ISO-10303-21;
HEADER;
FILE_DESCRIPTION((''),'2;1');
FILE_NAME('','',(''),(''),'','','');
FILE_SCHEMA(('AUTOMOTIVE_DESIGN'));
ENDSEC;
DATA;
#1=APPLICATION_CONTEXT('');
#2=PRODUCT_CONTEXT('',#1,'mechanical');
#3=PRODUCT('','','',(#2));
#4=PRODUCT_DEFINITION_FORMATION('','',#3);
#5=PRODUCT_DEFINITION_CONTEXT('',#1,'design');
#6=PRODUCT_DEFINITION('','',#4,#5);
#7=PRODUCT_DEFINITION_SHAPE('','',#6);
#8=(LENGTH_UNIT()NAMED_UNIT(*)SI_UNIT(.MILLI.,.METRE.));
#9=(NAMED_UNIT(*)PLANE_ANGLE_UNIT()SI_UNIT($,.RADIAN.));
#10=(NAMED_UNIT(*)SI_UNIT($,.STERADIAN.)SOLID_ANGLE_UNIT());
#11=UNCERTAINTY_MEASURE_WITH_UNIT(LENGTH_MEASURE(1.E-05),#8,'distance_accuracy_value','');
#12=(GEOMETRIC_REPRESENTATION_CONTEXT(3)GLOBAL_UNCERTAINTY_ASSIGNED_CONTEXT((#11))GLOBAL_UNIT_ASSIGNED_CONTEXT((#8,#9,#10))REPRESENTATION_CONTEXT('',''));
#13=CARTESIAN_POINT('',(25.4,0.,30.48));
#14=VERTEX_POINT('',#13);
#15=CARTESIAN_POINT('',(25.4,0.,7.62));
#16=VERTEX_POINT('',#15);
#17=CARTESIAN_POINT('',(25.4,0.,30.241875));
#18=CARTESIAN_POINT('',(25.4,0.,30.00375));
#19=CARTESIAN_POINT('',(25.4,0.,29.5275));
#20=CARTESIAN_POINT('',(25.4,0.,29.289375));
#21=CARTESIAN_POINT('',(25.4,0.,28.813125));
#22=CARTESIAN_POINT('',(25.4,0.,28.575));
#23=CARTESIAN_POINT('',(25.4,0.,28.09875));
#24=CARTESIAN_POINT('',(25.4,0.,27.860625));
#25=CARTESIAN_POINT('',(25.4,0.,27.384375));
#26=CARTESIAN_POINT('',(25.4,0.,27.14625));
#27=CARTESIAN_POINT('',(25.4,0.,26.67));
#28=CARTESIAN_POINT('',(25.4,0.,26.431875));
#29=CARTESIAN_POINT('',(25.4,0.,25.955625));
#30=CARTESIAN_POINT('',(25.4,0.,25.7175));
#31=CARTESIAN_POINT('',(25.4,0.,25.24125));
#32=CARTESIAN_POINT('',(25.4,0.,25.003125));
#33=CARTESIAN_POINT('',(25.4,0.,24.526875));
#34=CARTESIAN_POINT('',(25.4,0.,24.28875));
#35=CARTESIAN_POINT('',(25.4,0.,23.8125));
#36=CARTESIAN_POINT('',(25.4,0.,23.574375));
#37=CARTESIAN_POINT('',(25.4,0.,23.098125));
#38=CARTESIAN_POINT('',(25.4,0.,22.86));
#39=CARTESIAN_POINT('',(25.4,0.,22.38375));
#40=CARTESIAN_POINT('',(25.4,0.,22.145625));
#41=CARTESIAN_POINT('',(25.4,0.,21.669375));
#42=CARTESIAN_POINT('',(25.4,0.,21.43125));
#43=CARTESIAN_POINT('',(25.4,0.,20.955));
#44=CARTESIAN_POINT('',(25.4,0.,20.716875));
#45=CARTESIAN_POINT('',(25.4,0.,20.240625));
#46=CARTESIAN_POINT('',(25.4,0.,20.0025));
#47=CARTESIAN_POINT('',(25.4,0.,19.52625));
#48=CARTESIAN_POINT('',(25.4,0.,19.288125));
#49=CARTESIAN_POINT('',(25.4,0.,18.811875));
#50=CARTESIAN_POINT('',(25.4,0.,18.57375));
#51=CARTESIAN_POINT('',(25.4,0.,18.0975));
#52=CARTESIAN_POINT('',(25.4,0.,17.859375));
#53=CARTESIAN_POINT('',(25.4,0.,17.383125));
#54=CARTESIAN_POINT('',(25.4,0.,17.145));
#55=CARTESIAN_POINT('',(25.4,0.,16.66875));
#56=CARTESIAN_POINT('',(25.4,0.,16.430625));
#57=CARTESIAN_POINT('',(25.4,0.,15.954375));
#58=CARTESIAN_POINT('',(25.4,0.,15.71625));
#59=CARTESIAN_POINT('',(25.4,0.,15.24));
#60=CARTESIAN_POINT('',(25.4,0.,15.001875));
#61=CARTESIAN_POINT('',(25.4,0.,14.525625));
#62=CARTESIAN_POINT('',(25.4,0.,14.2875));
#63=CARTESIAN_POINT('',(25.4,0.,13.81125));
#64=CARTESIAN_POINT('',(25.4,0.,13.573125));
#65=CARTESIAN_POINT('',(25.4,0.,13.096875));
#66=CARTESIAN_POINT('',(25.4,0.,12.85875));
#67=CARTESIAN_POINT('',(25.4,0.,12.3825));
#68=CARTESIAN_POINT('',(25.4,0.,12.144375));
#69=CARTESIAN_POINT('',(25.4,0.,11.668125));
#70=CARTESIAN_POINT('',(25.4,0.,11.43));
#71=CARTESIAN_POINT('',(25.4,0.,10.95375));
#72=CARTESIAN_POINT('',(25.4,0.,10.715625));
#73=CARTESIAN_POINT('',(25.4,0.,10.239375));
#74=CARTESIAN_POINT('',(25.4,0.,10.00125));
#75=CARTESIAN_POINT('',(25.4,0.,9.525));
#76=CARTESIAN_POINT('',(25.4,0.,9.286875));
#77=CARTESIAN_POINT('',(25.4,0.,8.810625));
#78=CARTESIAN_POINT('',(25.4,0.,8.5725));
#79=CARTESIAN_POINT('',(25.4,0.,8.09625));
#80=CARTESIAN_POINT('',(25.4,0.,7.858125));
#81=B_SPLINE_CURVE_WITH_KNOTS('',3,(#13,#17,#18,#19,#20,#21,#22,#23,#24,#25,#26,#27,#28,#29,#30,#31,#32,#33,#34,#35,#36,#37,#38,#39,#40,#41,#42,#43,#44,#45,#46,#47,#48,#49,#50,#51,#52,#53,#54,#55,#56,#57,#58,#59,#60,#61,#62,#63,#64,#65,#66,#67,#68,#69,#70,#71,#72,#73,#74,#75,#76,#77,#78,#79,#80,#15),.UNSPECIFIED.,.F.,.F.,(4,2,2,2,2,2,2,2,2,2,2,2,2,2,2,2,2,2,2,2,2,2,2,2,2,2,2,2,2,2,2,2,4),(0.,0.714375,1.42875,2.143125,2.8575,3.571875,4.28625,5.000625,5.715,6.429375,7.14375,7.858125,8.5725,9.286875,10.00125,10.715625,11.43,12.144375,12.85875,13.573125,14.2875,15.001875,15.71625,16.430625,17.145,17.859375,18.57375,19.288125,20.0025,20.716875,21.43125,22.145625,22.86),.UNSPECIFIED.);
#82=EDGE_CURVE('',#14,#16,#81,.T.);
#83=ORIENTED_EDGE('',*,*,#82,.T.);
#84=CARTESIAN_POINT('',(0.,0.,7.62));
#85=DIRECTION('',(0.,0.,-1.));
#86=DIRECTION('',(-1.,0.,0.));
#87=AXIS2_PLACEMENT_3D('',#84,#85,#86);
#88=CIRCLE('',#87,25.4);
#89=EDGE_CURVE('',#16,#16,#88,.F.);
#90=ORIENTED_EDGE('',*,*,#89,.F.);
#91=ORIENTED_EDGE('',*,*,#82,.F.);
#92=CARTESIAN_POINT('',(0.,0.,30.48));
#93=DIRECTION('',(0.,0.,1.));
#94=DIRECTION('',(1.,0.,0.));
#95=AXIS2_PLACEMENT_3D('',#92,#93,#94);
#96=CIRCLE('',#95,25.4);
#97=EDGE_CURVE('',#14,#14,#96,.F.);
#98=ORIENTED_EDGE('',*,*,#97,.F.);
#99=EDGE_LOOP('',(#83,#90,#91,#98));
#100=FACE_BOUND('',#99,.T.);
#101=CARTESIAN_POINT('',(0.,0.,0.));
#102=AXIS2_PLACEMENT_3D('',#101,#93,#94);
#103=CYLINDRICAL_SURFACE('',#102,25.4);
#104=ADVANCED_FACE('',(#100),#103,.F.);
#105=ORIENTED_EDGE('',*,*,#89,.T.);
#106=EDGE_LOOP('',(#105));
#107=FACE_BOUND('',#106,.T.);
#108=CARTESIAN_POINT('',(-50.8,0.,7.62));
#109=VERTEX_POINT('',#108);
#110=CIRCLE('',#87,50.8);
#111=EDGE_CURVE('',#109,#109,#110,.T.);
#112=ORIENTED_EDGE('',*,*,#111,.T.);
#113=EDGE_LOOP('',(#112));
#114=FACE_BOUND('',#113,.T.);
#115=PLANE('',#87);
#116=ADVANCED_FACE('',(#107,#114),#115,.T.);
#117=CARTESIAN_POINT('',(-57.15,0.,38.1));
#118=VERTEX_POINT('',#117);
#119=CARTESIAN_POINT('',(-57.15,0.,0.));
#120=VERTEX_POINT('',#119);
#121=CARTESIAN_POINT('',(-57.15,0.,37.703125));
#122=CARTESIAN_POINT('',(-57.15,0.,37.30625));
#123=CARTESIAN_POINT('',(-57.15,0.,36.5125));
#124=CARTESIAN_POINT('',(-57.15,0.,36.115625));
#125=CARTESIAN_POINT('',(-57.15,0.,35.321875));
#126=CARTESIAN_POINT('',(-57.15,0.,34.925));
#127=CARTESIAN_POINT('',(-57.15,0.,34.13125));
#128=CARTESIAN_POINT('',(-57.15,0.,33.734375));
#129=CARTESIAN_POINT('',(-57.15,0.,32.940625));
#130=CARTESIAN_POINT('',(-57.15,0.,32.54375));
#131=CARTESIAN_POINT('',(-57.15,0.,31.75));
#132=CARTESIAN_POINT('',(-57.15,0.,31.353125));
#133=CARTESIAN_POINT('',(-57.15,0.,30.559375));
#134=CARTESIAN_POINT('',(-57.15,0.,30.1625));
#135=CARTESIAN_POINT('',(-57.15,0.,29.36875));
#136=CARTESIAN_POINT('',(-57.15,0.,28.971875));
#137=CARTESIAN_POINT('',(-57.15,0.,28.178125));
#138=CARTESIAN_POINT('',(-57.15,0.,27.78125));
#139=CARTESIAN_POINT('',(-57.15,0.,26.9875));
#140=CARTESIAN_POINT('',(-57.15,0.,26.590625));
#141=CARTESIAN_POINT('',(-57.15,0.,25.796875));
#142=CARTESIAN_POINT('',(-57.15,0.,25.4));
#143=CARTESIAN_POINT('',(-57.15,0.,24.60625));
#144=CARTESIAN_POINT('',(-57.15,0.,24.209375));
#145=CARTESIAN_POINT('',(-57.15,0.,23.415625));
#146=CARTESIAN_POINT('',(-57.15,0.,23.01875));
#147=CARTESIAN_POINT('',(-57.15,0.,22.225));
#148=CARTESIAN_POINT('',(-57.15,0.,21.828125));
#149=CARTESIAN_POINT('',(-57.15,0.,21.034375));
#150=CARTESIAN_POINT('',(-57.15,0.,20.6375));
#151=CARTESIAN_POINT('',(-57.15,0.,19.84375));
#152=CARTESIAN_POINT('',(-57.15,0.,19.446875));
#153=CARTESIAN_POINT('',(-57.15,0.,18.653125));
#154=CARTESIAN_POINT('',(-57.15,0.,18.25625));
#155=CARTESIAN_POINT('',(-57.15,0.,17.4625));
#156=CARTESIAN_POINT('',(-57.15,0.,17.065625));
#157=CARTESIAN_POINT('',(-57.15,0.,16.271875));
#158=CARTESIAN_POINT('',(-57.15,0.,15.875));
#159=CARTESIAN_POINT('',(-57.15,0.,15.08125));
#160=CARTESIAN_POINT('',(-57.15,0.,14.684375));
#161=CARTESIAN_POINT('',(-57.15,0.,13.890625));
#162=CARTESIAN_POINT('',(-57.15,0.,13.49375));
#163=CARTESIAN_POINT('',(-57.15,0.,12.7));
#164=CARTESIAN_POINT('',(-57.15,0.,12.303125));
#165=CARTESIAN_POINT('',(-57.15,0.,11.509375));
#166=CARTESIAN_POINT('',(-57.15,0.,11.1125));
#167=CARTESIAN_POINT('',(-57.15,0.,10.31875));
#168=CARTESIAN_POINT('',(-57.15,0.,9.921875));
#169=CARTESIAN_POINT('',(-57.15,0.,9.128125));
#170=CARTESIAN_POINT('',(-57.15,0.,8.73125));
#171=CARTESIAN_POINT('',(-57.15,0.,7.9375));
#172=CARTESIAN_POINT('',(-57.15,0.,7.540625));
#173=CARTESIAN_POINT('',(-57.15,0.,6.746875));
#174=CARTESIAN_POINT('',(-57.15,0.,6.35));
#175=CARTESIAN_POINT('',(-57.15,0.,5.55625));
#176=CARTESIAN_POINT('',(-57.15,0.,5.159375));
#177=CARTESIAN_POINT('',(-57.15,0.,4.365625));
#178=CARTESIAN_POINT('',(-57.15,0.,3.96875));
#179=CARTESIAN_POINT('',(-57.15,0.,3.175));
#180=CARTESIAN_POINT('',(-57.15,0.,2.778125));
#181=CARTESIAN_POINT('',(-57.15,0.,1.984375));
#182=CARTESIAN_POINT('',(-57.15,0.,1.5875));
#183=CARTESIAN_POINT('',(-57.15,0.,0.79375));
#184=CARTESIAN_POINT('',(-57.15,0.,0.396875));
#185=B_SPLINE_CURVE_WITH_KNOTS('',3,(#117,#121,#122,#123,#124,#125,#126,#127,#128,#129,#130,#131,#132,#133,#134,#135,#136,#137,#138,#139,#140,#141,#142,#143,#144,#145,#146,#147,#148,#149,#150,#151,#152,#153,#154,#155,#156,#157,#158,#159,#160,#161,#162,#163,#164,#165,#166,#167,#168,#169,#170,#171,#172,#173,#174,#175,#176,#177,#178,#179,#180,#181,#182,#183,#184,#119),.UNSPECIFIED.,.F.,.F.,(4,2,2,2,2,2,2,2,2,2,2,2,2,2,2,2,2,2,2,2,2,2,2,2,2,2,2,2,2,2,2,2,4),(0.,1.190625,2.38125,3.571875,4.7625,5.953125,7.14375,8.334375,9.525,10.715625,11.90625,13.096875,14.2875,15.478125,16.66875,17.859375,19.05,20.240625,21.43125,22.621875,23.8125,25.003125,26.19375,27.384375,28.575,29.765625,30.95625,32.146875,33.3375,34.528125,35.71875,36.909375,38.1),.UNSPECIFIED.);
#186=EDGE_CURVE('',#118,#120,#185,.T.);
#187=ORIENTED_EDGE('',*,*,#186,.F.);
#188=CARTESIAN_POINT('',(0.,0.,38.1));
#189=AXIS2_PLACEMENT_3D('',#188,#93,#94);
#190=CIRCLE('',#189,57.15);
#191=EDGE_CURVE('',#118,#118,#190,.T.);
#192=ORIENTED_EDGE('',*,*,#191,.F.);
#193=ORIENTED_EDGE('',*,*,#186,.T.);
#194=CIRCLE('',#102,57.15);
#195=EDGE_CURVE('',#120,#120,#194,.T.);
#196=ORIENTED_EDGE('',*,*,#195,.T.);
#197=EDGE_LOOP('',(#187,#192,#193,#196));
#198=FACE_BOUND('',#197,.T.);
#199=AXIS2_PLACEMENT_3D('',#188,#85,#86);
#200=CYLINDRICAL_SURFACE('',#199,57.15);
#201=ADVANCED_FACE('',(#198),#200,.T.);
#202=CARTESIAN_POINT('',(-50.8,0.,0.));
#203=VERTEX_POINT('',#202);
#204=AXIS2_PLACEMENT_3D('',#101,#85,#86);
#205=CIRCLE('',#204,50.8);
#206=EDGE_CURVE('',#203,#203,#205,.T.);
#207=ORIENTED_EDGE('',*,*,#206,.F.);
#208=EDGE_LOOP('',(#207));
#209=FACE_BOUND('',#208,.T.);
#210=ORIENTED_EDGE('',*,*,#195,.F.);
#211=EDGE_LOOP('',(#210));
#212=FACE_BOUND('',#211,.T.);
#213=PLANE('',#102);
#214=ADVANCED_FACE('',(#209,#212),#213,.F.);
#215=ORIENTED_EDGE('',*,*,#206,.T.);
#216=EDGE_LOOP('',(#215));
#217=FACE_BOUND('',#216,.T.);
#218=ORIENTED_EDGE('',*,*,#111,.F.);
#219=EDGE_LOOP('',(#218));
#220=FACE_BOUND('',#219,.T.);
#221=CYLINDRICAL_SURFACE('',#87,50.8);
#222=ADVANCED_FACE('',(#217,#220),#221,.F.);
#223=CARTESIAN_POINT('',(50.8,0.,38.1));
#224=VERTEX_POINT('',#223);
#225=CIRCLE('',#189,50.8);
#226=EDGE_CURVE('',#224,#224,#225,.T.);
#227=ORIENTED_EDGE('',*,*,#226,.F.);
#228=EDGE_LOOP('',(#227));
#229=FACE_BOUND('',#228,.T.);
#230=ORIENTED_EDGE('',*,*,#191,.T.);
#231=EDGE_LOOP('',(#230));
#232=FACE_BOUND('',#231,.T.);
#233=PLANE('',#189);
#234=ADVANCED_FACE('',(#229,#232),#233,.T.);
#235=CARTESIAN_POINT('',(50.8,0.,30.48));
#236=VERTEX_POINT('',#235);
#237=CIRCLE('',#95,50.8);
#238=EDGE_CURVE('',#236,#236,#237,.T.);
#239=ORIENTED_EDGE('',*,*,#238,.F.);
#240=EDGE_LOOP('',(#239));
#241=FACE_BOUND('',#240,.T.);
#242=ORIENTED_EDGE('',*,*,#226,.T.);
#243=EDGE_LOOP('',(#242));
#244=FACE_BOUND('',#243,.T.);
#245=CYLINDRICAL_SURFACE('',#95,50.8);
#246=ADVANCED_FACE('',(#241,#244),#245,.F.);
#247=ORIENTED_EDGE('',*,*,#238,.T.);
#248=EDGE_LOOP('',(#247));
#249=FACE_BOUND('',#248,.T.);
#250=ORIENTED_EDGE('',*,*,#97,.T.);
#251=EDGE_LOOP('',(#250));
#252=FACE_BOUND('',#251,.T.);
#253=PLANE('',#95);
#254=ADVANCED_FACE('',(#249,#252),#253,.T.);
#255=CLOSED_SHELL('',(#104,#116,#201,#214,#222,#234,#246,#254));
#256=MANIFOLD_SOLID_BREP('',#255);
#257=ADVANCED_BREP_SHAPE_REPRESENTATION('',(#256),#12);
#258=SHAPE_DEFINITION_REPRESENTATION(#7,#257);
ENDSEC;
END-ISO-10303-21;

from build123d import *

# Parameters (mm, degrees)
SKETCH1_R           = 57.15
BOSS_EXTRUDE1_DEPTH = 38.1
SKETCH2_R           = 25.4
CUT_EXTRUDE1_DEPTH  = 38.1
SKETCH3_R           = 50.8
CUT_EXTRUDE2_DEPTH  = 7.62
CUT_EXTRUDE3_START  = -7.62
SKETCH5_R           = 50.8
CUT_EXTRUDE3_DEPTH  = 7.62


with BuildPart() as part:
    # Sketch1 → Boss-Extrude1 (new body)
    with BuildSketch(Plane.XY):
        with Locations(Location((0, 0, 0), (0, 0, 180))):
            Circle(SKETCH1_R)
    extrude(amount=BOSS_EXTRUDE1_DEPTH)

    # Sketch2 → Cut-Extrude1 (cut)
    with BuildSketch(Plane.XY.offset(38.1)):
        Circle(SKETCH2_R)
    extrude(amount=-CUT_EXTRUDE1_DEPTH, mode=Mode.SUBTRACT)

    # Sketch3 → Cut-Extrude2 (cut)
    with BuildSketch(Plane.XY.offset(38.1)):
        Circle(SKETCH3_R)
    extrude(amount=-CUT_EXTRUDE2_DEPTH, mode=Mode.SUBTRACT)

    # Sketch5 → Cut-Extrude3 (cut)
    with BuildSketch(Plane(origin=(0, 0, 0), x_dir=(-1, 0, 0), z_dir=(0, 0, -1)).offset(CUT_EXTRUDE3_START)):
        with Locations(Location((0, 0, 0), (0, 0, 180))):
            Circle(SKETCH5_R)
    extrude(amount=CUT_EXTRUDE3_DEPTH, mode=Mode.SUBTRACT)


solid = part.part
